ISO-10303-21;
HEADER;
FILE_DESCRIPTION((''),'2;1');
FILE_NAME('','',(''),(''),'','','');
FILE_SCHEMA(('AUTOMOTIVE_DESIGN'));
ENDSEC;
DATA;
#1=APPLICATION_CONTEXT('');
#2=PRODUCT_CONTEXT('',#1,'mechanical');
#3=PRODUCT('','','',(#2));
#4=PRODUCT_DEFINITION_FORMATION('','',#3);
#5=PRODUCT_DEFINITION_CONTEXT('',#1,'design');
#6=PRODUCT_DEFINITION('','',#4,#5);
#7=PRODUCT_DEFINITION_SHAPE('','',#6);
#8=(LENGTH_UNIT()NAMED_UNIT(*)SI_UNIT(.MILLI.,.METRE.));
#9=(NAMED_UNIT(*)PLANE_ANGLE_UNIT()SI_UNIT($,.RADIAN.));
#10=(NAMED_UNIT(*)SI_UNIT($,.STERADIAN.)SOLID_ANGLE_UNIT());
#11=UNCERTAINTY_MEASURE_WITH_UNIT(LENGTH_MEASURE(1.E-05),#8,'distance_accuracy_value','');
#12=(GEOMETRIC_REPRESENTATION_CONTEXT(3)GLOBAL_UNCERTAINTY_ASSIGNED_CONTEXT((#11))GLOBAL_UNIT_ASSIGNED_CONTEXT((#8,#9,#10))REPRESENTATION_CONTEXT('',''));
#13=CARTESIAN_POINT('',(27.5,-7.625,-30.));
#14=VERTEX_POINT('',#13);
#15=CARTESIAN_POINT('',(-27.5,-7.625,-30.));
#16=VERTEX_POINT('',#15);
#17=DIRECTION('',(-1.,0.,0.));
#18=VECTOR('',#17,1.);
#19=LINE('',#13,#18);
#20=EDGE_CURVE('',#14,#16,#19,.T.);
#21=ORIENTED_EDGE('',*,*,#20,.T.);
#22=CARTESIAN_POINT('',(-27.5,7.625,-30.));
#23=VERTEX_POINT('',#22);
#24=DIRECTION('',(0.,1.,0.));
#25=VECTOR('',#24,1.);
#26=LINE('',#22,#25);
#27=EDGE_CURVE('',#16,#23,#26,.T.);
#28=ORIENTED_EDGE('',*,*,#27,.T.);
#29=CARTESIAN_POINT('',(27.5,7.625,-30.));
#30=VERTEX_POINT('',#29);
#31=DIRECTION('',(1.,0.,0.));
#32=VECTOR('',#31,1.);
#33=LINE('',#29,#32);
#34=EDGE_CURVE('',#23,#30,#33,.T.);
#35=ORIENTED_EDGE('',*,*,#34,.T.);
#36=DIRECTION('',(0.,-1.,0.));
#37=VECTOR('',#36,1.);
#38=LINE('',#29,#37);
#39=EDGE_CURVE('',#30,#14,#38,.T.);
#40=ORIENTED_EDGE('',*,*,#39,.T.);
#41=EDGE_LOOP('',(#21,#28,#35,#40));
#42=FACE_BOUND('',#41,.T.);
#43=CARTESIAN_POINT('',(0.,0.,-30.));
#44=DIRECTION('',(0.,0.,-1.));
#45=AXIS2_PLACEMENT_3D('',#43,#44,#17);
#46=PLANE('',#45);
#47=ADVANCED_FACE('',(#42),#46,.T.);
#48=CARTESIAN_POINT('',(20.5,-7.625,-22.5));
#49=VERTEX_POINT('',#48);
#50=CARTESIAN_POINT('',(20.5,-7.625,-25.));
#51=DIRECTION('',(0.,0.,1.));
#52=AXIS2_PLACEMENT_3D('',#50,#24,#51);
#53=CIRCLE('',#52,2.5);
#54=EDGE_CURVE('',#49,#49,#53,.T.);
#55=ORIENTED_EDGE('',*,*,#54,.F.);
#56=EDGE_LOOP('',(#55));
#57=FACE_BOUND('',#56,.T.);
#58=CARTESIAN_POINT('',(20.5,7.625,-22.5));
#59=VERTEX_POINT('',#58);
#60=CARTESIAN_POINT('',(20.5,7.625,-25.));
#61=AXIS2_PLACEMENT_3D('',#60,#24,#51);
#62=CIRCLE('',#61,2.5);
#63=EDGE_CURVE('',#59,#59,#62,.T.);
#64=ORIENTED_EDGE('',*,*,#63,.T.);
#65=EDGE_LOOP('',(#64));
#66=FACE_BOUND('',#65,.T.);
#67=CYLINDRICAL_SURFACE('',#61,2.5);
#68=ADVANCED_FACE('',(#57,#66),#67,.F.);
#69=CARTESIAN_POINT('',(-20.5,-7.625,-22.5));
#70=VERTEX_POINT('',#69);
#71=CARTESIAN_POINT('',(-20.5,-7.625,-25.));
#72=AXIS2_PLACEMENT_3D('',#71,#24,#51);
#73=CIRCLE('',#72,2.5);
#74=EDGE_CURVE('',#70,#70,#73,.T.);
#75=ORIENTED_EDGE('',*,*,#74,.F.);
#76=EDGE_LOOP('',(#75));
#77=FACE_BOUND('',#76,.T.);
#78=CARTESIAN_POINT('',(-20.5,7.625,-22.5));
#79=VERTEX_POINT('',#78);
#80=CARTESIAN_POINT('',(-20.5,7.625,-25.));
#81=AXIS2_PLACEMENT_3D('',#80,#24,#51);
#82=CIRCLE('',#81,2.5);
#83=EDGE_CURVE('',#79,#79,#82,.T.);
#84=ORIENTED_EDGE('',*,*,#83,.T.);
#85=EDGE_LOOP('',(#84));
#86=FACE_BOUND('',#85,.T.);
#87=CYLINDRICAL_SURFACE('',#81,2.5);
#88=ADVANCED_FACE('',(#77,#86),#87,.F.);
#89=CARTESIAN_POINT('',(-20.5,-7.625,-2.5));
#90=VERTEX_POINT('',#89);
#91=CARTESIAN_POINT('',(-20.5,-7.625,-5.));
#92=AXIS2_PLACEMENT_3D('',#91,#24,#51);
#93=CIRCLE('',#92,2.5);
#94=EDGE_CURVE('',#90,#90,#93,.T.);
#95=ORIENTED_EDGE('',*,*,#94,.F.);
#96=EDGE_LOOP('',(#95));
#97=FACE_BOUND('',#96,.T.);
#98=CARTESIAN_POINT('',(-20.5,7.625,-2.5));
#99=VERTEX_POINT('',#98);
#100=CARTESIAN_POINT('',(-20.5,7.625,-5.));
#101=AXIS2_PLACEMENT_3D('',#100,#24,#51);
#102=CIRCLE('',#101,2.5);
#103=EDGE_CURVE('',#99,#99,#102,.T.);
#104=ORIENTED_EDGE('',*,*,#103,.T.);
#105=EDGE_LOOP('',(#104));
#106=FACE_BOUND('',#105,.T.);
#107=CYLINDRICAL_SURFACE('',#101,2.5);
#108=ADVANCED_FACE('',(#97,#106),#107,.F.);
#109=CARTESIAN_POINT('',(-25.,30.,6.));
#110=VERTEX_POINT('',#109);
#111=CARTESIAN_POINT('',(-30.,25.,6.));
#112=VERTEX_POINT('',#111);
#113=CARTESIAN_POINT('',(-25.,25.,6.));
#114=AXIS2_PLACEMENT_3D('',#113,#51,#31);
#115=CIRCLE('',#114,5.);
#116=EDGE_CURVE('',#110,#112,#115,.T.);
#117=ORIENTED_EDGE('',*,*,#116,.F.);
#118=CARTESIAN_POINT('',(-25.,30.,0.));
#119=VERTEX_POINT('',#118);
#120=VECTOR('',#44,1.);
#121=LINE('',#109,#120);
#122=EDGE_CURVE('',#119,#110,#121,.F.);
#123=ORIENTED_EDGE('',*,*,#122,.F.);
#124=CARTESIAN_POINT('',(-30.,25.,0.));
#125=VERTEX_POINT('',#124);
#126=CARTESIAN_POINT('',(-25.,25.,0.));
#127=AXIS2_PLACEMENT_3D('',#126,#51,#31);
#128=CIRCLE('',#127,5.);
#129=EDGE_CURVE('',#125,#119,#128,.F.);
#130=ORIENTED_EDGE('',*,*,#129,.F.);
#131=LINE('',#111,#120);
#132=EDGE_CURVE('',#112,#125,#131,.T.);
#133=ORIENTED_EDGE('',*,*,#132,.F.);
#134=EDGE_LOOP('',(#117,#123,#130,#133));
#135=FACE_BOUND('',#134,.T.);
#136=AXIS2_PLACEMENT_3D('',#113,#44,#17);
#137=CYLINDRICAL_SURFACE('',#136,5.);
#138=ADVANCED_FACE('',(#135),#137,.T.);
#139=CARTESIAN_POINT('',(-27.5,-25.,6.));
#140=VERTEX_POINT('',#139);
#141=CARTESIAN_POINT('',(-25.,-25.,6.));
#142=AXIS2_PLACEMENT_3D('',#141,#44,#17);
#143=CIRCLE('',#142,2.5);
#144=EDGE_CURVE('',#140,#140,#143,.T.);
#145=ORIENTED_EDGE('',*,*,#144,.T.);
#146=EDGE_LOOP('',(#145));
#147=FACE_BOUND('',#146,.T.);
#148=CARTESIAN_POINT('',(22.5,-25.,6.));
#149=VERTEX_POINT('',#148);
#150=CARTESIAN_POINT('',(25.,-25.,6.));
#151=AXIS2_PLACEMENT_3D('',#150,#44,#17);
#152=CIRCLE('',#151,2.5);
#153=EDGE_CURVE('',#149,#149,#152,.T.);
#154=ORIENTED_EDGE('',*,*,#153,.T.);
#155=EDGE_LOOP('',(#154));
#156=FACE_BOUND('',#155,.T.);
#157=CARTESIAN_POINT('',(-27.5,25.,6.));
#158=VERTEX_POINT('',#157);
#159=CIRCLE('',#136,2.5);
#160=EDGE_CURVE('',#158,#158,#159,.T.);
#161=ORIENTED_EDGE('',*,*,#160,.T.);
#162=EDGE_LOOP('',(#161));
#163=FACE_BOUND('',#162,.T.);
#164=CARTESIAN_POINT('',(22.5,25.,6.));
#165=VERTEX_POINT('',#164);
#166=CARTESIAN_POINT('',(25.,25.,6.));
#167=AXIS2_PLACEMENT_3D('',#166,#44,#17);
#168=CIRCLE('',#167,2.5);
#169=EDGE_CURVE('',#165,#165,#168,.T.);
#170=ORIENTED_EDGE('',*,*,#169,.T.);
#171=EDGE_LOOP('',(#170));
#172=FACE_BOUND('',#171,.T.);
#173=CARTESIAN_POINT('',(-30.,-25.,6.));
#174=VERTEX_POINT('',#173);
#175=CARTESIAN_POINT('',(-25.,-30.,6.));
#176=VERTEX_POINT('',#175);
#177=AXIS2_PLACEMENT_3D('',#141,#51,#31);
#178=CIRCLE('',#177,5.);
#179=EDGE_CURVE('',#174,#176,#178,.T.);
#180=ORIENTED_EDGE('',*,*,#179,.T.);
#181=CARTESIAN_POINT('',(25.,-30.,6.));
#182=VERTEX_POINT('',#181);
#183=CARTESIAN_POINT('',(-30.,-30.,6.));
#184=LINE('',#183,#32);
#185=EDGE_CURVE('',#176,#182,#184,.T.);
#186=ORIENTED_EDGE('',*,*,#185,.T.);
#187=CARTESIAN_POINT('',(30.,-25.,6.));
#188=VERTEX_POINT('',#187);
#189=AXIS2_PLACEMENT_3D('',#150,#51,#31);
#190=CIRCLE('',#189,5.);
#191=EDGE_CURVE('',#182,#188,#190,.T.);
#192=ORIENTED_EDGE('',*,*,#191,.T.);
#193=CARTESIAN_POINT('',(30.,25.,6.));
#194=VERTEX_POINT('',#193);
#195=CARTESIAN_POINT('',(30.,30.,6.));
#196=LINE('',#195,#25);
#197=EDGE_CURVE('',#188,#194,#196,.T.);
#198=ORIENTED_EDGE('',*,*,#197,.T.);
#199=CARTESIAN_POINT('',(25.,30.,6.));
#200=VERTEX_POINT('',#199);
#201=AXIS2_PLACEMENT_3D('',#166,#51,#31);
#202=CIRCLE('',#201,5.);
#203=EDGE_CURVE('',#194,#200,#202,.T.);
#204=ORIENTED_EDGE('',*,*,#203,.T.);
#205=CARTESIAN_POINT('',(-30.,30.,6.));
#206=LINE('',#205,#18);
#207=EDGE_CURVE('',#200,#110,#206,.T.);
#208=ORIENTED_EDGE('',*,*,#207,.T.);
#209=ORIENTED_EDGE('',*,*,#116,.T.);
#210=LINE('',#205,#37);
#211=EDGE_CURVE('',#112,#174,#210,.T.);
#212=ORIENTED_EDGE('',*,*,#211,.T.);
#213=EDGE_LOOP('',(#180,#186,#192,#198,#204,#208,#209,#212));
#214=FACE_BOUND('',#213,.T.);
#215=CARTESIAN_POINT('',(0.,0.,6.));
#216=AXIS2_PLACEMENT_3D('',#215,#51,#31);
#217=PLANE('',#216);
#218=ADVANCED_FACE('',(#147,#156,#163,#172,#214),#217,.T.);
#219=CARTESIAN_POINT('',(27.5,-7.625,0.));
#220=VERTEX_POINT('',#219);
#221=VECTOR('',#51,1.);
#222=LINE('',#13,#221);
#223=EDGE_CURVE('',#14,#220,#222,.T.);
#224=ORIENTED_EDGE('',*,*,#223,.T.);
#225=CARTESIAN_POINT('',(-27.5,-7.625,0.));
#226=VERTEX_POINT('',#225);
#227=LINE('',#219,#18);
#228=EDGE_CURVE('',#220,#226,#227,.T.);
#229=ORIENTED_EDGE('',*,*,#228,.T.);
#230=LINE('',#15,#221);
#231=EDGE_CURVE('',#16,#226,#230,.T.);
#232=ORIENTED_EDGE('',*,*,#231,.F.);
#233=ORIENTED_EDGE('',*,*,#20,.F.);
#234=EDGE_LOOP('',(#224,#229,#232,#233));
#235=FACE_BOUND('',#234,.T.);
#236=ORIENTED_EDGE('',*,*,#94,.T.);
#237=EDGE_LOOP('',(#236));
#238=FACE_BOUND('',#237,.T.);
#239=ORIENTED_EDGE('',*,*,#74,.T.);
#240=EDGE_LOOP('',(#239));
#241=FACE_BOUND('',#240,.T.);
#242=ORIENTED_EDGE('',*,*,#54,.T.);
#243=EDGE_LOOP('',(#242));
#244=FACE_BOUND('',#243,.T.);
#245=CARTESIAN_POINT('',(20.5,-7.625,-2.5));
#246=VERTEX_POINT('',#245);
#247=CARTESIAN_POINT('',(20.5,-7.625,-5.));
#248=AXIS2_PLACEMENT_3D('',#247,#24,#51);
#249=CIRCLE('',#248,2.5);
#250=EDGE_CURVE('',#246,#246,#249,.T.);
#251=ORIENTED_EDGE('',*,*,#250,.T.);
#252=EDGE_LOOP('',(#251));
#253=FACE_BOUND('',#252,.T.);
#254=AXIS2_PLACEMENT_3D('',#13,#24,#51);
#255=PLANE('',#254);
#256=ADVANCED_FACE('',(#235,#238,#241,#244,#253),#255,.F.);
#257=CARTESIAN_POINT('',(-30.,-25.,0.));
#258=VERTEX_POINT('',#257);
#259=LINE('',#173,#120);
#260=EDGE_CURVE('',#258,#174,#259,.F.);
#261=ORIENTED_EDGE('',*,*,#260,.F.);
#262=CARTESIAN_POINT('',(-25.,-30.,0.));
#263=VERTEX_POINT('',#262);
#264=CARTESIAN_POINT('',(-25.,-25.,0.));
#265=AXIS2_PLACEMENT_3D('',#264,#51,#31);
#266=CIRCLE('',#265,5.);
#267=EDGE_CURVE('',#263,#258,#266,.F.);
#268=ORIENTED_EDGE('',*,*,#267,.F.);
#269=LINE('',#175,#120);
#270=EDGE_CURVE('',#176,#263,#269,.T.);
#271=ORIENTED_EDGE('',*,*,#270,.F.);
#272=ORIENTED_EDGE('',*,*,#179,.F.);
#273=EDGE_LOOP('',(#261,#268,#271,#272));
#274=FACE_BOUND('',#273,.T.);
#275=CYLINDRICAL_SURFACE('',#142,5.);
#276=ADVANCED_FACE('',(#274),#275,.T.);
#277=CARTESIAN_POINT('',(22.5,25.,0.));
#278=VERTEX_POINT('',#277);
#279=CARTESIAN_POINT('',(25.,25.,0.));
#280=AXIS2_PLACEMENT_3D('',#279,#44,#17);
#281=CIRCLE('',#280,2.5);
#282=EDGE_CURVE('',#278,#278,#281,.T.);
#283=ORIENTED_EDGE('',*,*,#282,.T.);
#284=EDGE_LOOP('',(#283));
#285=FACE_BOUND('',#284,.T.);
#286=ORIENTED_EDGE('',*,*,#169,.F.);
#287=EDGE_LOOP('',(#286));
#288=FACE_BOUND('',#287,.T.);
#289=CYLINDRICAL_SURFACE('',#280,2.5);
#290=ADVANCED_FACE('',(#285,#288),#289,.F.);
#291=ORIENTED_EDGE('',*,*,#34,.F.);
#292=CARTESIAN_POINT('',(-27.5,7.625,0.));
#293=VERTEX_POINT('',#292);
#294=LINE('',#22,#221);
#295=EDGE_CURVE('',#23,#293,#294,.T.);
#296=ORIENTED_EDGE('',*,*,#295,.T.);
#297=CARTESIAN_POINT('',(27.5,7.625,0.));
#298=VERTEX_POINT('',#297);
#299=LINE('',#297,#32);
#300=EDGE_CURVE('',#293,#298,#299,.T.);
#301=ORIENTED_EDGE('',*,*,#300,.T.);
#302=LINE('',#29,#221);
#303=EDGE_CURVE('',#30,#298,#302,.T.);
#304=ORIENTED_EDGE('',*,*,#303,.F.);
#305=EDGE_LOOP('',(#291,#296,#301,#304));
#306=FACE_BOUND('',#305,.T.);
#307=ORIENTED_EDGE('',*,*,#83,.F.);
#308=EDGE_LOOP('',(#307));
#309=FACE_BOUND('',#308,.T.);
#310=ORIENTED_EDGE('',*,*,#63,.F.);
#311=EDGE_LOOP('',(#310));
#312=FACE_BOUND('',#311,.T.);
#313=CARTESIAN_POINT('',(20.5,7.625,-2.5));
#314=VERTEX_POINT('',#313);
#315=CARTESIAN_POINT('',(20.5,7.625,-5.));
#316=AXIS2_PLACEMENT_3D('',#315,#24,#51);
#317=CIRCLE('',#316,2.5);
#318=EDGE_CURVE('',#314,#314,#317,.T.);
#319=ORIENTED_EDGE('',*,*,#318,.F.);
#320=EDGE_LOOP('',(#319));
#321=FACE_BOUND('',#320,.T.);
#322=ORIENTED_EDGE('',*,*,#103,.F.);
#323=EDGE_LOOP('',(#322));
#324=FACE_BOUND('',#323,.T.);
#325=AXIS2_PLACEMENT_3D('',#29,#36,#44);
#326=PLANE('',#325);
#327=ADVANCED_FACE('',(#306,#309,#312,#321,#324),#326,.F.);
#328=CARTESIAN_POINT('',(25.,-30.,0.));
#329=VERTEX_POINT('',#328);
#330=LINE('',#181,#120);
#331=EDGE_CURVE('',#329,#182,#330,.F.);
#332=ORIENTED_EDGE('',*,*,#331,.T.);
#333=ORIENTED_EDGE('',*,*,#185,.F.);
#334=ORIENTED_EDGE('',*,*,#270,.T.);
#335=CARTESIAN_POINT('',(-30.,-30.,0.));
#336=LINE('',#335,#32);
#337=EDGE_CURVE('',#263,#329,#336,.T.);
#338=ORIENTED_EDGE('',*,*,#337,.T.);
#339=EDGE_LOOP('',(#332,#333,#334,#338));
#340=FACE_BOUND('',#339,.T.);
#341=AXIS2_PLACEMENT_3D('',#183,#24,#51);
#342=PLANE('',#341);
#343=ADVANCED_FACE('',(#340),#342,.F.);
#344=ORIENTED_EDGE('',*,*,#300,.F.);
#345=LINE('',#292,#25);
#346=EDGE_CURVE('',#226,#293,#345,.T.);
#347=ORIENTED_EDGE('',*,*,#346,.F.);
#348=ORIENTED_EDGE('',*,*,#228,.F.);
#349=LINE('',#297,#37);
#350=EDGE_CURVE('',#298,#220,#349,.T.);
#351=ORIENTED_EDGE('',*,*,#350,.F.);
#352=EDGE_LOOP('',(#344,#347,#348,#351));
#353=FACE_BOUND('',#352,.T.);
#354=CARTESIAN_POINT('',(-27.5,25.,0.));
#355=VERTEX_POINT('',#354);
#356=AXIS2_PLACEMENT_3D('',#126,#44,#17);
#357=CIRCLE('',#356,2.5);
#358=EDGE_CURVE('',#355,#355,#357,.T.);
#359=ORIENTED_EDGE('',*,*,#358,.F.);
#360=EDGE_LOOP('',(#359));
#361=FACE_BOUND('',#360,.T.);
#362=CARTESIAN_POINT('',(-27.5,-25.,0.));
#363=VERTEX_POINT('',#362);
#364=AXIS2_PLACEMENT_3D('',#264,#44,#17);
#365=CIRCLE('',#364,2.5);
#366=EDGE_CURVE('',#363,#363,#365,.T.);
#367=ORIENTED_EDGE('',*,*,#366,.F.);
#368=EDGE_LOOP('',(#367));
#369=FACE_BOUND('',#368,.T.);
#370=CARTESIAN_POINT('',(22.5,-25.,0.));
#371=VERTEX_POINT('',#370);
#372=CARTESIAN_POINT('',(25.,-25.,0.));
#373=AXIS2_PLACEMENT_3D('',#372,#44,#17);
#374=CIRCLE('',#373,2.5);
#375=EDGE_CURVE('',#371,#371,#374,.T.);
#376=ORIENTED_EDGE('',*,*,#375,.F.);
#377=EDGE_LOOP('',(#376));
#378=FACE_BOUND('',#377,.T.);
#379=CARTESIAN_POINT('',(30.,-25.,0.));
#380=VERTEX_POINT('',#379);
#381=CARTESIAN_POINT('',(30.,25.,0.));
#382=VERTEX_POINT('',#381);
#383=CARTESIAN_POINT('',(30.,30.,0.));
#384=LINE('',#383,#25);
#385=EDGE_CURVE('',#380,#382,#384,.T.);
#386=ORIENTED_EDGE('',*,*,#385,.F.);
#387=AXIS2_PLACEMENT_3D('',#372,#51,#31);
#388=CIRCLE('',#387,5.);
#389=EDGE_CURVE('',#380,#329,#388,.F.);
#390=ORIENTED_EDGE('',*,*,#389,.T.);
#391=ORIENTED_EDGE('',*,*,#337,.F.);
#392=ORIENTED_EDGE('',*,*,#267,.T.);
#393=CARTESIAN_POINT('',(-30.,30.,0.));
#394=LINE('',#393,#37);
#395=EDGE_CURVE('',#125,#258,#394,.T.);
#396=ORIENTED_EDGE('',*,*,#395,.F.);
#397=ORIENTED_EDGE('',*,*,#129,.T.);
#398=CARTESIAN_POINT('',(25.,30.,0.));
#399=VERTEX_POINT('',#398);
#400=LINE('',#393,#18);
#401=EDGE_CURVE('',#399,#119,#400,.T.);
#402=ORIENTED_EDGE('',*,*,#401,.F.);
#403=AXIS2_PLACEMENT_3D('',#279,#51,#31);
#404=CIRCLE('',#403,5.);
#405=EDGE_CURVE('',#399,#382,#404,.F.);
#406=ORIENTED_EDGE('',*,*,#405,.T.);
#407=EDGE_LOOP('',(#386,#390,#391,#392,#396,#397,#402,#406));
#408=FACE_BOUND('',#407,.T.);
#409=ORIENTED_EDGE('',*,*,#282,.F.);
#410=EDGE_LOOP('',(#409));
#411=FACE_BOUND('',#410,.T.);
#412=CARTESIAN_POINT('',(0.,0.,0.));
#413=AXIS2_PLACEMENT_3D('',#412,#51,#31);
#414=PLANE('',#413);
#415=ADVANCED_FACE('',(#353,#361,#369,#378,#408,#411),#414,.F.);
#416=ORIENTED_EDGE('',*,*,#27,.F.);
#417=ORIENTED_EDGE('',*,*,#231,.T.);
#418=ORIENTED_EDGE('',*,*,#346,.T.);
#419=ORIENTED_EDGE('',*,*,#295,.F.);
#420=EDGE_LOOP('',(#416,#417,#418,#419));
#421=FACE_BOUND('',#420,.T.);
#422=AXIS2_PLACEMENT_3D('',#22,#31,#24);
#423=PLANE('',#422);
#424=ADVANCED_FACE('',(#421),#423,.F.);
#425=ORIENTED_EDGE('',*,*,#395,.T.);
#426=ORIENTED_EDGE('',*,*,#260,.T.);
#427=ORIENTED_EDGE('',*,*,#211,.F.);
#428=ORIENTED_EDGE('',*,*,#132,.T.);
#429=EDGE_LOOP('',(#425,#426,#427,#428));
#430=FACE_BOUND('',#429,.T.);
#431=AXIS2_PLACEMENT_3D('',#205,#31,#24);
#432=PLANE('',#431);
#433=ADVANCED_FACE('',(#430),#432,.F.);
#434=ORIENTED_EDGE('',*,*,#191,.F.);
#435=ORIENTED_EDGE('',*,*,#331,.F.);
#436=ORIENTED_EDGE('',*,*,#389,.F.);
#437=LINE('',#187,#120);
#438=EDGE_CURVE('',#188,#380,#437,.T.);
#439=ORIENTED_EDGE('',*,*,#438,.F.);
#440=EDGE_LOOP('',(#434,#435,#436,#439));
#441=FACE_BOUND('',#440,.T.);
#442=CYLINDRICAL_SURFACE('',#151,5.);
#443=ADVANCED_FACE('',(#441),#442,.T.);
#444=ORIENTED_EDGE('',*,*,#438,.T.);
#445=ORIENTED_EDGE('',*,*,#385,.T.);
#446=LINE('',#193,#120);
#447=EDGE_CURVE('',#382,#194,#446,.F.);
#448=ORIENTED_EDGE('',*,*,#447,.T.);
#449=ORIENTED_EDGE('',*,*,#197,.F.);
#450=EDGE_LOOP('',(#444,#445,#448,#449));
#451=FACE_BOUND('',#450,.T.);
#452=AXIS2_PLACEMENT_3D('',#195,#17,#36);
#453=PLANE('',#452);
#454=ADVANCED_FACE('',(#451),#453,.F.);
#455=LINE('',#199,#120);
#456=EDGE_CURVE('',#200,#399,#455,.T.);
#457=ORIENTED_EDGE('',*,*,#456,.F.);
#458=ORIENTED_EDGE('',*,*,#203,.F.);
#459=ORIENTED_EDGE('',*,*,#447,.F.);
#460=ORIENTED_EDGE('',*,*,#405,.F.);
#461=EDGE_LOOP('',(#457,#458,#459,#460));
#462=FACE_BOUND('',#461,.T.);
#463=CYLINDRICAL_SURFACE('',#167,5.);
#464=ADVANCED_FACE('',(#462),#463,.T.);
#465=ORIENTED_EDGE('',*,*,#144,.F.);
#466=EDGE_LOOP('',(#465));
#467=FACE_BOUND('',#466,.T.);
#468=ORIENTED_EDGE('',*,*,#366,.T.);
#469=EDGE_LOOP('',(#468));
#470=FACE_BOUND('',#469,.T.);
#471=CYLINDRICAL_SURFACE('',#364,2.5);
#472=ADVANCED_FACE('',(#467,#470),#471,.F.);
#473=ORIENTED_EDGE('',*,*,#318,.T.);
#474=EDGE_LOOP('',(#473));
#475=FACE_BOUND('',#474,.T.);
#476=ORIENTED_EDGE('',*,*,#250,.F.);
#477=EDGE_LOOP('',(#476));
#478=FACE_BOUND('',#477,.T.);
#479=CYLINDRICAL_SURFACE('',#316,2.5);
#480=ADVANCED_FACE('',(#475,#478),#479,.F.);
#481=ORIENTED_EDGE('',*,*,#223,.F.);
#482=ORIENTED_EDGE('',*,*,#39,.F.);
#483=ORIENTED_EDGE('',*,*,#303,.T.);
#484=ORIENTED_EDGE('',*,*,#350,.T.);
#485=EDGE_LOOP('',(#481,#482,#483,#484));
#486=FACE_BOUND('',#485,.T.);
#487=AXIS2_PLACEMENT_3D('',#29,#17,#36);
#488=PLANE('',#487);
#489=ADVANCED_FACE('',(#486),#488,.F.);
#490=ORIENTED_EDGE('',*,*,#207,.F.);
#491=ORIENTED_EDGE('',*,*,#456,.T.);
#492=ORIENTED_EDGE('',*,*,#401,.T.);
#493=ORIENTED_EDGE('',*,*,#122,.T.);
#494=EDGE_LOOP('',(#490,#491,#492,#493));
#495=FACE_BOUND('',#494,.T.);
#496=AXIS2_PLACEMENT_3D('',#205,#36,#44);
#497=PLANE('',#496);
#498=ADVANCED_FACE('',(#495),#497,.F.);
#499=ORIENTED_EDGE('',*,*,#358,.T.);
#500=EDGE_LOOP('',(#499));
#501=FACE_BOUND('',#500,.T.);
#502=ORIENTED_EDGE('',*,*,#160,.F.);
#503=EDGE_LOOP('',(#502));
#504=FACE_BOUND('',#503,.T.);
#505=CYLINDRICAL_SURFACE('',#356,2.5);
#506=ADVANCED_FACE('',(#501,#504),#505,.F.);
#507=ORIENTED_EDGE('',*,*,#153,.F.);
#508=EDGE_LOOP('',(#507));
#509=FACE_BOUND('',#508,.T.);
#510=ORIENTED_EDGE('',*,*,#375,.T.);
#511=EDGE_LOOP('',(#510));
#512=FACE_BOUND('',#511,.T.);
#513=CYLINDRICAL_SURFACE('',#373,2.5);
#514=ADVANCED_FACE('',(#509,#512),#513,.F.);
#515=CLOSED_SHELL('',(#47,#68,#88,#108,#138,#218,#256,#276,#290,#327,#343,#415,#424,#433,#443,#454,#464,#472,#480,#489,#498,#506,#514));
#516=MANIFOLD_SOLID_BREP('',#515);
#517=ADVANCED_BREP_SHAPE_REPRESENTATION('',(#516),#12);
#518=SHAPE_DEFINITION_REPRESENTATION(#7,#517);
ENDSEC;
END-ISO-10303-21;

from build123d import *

# Parameters (mm, degrees)
SKETCH1_W             = 60
SKETCH1_H             = 60
BOSS_EXTRUDE1_DEPTH   = 6
SKETCH2_W             = 55
SKETCH2_H             = 15.25
BOSS_EXTRUDE2_DEPTH   = 30
F_5_0MM_DOWEL_HOLE1_D = 5
FILLET1_R             = 5
F_5_0MM_DOWEL_HOLE2_D = 5


with BuildPart() as part:
    # Sketch1 → Boss-Extrude1 (new body)
    with BuildSketch(Plane.XY):
        Rectangle(SKETCH1_W, SKETCH1_H)
    extrude(amount=BOSS_EXTRUDE1_DEPTH)

    # Sketch2 → Boss-Extrude2 (add)
    with BuildSketch(Plane(origin=(0, 0, 0), x_dir=(-1, 0, 0), z_dir=(0, 0, -1))):
        Rectangle(SKETCH2_W, SKETCH2_H)
    extrude(amount=BOSS_EXTRUDE2_DEPTH)

    # Ø5.0mm Dowel Hole1 (through all)
    with Locations(Plane(origin=(0, 0, 0), x_dir=(-1, 0, 0), z_dir=(0, 0, -1))):
        with Locations((25, 25), (-25, 25), (25, -25), (-25, -25)):
            Hole(F_5_0MM_DOWEL_HOLE1_D / 2)

    # Fillet1
    fillet1_edges = [part.edges().sort_by_distance(p)[0] for p in [
        (30, -30, 3),
        (-30, -30, 3),
        (-30, 30, 3),
        (30, 30, 3),
    ]]
    fillet(fillet1_edges, radius=FILLET1_R)

    # Ø5.0mm Dowel Hole2 (through all)
    with Locations(Plane(origin=(0, 7.625, 0), x_dir=(1, 0, 0), z_dir=(0, 1, 0))):
        with Locations((20.5, 25), (20.5, 5), (-20.5, 5), (-20.5, 25)):
            Hole(F_5_0MM_DOWEL_HOLE2_D / 2)


solid = part.part
